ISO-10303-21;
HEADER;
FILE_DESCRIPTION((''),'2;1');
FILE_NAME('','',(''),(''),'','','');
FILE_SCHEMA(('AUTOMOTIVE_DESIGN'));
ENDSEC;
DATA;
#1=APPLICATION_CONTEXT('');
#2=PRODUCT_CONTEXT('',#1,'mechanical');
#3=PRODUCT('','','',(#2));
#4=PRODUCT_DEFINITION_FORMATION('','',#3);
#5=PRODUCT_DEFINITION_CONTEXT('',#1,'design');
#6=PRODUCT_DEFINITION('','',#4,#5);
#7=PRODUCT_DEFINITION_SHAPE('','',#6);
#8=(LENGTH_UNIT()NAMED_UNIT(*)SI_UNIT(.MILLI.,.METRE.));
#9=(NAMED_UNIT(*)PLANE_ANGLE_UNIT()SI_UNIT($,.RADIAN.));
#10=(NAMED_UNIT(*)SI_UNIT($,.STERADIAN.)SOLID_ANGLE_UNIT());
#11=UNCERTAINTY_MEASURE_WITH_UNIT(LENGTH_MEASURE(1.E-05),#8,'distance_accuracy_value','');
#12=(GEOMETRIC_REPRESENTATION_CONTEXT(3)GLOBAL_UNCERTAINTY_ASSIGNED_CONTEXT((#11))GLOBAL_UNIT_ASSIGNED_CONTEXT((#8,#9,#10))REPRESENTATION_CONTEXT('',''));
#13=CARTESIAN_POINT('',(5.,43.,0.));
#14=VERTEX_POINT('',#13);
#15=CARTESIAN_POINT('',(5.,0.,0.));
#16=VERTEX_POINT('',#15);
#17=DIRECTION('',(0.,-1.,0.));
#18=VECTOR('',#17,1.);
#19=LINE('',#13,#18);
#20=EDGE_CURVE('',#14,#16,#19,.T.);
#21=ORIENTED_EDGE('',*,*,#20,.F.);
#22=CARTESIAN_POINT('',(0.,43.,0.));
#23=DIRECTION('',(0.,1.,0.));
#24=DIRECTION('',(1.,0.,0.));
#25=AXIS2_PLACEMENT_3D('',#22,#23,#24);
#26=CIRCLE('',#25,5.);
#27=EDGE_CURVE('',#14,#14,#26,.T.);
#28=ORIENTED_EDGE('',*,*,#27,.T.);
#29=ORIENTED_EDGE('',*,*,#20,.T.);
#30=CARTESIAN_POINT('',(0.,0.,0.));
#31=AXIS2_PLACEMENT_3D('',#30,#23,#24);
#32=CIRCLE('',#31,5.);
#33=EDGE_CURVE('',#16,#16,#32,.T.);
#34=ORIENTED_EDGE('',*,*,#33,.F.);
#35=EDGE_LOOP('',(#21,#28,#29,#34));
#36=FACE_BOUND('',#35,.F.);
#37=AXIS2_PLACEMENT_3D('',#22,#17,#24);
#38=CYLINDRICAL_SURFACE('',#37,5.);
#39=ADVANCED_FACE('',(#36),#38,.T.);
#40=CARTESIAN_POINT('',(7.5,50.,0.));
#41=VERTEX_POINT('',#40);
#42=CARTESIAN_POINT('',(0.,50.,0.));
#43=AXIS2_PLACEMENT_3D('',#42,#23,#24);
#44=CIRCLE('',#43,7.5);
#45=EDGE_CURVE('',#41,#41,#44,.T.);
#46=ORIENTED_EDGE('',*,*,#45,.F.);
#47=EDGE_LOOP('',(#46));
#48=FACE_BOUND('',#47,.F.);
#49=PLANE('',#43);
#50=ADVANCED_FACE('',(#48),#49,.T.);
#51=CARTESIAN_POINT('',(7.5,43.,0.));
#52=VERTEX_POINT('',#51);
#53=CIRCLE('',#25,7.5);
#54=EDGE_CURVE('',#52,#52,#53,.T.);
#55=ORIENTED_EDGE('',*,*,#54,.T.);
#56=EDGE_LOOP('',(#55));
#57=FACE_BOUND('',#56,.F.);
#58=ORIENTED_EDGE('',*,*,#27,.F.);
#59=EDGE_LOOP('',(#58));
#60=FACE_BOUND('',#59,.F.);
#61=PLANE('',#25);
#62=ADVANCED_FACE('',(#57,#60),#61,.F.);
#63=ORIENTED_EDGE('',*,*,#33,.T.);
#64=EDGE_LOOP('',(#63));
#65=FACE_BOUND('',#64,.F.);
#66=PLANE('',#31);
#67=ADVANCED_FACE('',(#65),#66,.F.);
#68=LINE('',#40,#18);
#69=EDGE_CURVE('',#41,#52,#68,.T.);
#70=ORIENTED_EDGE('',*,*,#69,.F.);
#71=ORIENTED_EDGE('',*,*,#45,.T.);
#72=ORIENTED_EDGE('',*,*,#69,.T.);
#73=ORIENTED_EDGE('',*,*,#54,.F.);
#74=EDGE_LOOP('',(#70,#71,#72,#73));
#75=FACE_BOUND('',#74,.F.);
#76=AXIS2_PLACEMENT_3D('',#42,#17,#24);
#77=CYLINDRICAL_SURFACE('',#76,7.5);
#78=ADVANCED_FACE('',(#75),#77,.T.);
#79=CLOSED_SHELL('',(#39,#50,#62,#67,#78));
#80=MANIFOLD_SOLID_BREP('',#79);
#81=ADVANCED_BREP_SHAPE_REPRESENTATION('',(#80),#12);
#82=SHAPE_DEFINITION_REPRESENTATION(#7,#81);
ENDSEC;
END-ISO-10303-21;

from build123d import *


with BuildPart() as part:
    # Sketch1 → Revolve1 (revolve)
    with BuildSketch(Plane.XY):
        Polygon((7.5, 50), (7.5, 43), (5, 43), (5, 0), (0, 0), (0, 50), align=None)
    revolve(axis=Axis((0, 0, 0), (0, 1, 0)))


solid = part.part
